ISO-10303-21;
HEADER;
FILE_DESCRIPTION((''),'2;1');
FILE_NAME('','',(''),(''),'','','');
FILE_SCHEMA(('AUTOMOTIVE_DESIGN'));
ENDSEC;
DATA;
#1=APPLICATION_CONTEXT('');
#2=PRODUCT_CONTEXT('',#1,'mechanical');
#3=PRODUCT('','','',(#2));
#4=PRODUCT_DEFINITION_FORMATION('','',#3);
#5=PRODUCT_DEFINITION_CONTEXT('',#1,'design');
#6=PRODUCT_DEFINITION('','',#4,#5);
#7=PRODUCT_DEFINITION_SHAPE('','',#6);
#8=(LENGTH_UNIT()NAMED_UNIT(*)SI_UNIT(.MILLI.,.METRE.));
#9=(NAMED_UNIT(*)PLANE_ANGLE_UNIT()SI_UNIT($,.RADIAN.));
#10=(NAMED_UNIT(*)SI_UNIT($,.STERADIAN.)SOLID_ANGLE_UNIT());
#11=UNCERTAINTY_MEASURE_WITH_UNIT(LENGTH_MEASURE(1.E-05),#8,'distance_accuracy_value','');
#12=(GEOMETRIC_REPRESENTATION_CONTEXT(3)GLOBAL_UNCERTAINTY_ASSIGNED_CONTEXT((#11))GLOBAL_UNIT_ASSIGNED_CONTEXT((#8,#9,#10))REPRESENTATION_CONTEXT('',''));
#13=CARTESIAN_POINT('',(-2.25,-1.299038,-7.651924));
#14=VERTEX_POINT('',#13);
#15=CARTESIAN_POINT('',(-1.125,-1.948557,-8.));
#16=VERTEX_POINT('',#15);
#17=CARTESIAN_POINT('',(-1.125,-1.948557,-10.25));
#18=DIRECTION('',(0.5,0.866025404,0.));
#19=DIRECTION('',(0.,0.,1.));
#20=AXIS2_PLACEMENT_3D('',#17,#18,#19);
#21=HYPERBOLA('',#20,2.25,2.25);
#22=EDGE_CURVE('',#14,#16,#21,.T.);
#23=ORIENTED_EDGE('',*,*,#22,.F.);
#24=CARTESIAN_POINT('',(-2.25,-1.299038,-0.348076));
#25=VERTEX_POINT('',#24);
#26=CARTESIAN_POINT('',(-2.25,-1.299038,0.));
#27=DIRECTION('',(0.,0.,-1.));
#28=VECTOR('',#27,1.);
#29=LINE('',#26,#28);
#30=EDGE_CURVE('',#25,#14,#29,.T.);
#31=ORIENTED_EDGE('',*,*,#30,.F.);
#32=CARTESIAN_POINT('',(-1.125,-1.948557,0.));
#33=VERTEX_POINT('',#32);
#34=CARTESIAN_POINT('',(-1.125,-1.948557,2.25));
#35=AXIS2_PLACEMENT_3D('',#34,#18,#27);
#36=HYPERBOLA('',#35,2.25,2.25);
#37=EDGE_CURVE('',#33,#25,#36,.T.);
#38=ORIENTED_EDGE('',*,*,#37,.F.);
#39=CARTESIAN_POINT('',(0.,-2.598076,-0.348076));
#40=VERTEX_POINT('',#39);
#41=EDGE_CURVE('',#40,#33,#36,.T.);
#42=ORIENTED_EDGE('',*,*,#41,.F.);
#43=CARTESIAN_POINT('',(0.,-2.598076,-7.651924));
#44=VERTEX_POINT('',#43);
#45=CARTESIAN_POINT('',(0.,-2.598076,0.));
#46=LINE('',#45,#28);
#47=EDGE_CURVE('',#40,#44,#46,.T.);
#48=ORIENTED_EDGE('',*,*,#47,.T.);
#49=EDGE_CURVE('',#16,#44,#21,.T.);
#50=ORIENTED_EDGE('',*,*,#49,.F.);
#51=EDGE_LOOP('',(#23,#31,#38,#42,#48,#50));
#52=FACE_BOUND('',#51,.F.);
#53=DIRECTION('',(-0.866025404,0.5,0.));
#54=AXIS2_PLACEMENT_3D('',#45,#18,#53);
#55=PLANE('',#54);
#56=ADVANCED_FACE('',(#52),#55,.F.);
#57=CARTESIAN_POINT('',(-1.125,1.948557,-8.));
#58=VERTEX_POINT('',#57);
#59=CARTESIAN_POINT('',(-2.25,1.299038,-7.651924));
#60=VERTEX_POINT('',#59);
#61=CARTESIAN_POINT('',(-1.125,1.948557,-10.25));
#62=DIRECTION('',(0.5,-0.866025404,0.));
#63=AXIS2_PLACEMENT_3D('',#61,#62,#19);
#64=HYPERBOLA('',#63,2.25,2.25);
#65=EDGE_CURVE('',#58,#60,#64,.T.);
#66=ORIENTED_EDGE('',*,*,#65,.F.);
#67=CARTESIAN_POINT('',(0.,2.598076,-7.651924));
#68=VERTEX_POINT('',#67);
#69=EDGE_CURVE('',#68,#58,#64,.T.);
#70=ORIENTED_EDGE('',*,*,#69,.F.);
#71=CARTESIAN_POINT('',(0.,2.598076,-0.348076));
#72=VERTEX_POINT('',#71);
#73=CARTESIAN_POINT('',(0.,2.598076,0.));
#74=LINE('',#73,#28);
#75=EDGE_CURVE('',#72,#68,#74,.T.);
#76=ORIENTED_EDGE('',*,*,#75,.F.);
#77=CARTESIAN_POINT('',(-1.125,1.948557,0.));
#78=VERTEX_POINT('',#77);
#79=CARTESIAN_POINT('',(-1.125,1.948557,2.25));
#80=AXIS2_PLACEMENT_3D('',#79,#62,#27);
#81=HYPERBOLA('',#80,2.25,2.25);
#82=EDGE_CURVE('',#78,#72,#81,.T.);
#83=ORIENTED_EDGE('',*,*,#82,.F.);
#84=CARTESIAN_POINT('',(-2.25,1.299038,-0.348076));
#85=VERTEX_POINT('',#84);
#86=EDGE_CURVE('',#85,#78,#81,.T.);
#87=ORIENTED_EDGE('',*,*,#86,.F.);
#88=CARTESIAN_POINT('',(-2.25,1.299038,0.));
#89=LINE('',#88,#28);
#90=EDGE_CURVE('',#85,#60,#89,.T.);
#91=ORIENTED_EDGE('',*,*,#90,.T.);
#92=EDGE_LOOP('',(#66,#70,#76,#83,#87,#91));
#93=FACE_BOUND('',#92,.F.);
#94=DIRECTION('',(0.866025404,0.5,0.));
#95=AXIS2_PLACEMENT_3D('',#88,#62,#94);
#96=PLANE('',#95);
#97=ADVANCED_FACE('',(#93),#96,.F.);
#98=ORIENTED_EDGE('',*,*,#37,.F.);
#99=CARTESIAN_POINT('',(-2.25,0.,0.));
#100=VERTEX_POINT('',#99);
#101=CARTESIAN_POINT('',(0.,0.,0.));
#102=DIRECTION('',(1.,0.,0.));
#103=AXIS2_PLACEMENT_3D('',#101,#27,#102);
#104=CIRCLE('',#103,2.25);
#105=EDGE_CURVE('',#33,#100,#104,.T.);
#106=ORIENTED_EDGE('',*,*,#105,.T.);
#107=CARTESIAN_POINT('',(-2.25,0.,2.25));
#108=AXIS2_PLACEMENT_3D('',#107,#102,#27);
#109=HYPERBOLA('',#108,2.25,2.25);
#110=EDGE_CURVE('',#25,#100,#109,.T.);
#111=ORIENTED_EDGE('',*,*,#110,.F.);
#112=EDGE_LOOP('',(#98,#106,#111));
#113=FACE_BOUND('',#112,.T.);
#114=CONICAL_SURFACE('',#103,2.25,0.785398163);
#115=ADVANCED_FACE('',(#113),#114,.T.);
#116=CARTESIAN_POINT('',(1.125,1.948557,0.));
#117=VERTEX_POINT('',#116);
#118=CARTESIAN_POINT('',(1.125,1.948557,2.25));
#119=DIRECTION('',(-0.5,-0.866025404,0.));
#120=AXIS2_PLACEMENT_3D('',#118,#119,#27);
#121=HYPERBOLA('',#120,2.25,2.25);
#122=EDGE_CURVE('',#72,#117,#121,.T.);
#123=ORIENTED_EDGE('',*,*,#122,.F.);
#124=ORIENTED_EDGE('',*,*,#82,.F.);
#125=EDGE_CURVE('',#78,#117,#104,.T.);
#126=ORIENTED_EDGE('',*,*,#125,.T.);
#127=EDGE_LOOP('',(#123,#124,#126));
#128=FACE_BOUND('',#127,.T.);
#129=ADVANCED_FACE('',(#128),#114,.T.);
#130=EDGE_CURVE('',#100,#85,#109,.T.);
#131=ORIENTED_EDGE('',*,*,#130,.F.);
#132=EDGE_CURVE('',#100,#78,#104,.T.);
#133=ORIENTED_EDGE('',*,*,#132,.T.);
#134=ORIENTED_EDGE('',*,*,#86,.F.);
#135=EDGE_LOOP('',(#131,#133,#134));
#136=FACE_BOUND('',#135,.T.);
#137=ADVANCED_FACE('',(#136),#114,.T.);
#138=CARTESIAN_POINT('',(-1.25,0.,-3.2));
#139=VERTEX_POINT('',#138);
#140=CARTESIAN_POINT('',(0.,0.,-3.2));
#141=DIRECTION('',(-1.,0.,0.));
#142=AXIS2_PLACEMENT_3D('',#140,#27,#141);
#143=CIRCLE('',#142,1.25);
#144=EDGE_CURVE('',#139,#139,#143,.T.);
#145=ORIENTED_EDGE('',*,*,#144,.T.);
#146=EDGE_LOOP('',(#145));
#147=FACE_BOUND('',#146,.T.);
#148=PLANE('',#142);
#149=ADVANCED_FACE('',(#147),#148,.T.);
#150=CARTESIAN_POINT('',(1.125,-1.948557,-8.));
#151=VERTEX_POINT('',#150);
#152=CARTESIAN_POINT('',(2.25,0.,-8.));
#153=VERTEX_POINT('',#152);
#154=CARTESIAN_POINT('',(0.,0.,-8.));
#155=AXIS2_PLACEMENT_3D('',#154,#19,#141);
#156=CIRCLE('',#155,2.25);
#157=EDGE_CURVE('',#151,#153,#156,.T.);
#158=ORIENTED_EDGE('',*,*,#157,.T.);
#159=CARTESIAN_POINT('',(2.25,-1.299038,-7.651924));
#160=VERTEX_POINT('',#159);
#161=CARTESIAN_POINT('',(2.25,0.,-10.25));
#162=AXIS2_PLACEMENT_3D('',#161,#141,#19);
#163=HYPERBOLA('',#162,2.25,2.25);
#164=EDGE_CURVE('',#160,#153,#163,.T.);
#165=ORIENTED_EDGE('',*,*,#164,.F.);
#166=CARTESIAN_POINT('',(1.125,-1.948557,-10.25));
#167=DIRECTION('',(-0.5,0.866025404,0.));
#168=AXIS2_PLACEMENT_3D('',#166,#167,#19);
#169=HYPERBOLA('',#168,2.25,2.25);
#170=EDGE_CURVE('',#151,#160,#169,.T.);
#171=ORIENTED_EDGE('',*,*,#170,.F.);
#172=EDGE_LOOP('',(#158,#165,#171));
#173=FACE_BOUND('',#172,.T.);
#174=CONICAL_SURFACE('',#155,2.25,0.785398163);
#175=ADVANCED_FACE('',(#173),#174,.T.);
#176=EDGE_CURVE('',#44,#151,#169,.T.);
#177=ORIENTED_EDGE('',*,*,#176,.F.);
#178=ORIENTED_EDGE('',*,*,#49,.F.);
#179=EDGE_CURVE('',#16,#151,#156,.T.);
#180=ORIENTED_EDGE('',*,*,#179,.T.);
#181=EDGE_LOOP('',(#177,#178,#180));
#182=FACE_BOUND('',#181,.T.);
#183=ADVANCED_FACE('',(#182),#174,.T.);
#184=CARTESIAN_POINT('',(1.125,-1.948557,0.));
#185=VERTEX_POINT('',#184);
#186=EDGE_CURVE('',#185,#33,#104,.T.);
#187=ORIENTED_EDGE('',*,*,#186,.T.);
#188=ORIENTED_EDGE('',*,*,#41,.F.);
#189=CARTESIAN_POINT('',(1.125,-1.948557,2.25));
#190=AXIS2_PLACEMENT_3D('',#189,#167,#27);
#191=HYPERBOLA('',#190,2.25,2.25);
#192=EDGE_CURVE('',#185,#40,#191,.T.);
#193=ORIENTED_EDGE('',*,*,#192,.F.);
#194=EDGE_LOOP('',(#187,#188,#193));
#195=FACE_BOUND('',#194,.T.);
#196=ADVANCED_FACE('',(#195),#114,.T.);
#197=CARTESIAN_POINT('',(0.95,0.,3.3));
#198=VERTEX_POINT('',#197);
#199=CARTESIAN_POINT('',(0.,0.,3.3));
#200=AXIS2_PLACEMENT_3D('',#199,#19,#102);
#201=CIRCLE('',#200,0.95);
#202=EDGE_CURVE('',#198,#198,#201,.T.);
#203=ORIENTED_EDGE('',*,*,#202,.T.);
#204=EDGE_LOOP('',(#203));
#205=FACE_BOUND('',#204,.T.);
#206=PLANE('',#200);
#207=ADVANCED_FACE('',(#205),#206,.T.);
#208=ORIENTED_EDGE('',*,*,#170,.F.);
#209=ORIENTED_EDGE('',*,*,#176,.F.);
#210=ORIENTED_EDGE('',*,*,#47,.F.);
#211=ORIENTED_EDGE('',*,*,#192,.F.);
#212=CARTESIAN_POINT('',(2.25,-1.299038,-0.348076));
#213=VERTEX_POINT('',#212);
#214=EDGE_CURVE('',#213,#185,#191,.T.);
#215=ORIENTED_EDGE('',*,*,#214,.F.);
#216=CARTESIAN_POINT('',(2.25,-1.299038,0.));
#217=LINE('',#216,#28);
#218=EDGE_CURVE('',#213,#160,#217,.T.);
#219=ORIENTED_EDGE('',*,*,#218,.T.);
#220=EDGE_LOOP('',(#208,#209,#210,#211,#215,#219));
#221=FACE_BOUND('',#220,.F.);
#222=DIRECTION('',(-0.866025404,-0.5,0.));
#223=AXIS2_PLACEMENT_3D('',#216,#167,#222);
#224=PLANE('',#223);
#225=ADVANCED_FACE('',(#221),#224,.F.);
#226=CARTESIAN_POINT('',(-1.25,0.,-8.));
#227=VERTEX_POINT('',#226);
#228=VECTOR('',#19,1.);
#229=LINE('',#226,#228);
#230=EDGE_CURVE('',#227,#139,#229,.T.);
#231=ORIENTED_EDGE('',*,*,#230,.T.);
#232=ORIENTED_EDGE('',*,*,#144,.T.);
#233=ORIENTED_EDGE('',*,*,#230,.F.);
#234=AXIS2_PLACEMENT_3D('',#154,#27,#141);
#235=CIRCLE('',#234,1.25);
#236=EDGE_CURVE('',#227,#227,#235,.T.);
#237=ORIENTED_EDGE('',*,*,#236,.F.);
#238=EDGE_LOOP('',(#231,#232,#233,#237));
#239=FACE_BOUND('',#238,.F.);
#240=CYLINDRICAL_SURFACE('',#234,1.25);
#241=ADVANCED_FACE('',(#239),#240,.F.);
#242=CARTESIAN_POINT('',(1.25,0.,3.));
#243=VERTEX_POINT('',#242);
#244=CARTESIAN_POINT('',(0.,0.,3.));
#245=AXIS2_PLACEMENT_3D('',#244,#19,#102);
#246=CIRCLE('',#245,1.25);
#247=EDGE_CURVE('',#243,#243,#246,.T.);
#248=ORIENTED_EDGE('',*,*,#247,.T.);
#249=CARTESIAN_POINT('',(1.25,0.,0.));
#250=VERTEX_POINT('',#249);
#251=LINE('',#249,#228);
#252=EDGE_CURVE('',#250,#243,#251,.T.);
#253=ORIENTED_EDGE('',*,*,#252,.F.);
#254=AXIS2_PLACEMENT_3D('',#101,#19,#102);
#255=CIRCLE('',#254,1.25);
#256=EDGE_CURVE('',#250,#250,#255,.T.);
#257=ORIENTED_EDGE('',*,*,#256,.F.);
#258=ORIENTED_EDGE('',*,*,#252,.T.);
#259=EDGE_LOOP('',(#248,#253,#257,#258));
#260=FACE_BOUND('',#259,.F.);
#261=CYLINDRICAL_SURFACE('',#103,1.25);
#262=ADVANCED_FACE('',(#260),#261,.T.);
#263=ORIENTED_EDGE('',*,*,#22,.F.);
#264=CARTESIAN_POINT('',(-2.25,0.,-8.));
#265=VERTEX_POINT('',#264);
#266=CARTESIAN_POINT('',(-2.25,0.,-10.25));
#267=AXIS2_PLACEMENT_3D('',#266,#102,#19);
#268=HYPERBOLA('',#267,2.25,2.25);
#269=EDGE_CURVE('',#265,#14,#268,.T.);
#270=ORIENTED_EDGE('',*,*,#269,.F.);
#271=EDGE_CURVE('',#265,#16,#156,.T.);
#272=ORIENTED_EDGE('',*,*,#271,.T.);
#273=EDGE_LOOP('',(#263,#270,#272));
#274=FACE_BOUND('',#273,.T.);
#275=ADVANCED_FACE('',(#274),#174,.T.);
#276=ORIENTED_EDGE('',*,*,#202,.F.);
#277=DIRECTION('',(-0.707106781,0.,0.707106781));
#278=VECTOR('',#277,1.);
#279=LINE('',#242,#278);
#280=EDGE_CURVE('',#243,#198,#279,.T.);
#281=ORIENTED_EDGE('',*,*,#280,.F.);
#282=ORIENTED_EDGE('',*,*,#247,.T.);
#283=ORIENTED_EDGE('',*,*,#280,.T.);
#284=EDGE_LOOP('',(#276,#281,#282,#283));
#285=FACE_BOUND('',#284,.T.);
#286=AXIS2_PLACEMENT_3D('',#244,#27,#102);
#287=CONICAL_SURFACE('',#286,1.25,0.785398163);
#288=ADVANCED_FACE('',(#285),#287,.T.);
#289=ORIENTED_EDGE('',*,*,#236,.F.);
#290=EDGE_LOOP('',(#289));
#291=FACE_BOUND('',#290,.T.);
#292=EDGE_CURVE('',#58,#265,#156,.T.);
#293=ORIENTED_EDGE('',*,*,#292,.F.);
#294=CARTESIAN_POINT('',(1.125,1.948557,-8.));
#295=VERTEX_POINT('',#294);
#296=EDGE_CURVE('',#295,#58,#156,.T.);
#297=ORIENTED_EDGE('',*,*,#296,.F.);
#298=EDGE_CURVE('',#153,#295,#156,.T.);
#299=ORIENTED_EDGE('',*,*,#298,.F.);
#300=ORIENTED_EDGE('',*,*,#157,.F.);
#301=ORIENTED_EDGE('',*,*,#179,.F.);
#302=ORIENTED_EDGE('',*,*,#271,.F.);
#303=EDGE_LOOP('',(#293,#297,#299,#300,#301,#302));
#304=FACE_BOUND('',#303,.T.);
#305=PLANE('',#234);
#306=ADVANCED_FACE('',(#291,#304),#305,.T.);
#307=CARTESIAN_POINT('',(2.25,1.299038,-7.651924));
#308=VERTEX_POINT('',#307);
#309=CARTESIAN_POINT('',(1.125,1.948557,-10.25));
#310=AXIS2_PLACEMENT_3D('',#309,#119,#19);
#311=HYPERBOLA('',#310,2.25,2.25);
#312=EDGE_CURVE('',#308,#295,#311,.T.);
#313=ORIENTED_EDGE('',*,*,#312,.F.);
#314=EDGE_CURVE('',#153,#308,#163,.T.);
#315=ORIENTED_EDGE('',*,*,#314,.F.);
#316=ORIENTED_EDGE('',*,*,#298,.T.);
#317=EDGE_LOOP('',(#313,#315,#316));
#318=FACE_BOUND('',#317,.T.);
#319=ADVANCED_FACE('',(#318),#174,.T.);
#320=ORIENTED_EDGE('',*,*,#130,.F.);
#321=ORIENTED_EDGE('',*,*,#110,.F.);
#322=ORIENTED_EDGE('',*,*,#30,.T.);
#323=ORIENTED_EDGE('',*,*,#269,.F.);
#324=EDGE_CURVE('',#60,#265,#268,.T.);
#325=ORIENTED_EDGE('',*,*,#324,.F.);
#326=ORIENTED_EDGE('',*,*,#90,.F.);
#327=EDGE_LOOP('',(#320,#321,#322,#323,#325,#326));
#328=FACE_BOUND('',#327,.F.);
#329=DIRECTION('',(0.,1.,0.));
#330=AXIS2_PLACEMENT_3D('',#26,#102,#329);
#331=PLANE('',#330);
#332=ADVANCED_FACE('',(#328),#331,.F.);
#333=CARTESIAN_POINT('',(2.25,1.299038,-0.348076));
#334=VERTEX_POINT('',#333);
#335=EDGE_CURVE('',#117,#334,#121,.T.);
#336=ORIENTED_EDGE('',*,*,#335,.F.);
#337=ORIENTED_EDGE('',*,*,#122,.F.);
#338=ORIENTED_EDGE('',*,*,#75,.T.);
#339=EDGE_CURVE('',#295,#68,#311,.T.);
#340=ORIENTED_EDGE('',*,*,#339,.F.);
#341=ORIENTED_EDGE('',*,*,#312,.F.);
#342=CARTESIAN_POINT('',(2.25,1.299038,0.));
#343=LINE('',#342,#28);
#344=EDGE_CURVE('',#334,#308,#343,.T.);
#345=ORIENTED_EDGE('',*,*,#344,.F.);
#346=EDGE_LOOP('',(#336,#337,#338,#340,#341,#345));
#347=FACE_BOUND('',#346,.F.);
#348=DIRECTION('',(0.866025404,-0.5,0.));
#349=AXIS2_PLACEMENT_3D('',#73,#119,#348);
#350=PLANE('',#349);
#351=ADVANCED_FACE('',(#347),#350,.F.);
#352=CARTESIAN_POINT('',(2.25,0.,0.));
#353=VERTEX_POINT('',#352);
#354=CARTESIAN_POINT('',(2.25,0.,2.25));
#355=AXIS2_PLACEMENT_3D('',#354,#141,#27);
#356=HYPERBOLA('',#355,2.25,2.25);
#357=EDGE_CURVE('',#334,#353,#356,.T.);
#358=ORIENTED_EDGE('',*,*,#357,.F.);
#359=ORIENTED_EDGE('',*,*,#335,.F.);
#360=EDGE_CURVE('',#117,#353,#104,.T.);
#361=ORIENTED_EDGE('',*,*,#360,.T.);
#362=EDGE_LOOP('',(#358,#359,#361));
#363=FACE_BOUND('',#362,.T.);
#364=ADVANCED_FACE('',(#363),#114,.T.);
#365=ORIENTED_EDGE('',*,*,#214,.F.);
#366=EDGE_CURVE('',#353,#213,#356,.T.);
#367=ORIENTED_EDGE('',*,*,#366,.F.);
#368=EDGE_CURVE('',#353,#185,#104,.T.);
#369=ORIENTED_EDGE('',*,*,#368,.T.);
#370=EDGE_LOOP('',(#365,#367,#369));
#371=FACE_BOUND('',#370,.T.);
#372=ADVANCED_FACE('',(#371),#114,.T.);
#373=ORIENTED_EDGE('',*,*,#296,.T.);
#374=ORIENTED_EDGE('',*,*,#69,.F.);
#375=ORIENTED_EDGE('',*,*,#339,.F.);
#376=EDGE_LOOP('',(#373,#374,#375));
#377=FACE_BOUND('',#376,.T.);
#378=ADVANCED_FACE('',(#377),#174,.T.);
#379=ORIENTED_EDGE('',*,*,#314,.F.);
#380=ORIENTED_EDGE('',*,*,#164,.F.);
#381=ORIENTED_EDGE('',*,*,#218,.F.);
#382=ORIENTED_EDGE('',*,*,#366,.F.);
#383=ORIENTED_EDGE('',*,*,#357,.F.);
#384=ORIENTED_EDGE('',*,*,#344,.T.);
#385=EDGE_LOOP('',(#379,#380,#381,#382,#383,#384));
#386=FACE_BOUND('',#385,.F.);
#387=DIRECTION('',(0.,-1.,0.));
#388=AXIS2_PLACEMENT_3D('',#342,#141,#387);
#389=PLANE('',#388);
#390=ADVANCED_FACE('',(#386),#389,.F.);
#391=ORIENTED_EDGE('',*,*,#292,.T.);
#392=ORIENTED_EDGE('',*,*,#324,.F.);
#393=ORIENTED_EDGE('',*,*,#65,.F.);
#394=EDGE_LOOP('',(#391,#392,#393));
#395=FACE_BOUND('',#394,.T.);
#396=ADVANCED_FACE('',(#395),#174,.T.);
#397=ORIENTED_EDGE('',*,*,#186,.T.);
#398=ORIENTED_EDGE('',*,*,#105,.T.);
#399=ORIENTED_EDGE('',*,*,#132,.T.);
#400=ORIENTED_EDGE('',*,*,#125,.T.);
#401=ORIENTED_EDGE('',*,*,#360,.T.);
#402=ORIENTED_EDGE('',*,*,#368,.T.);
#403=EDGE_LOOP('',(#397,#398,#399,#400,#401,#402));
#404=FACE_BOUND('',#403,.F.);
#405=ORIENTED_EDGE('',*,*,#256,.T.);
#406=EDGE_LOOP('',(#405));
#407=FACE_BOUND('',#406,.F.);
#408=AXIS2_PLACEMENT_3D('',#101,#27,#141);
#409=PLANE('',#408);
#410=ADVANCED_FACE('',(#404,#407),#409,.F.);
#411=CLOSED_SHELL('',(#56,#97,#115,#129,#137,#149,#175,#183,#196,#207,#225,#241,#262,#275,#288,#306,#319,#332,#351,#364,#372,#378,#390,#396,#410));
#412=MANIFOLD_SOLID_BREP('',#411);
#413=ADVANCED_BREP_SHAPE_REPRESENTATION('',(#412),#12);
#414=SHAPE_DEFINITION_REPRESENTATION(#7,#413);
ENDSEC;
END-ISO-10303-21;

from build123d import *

# Parameters (mm, degrees)
SKETCH2_R           = 1.25
BOSS_EXTRUDE1_DEPTH = 3.3
BOSS_EXTRUDE2_DEPTH = 8
SKETCH4_R           = 1.25
CUT_EXTRUDE1_DEPTH  = 4.8
SKETCH5_OUTSIDE_W   = 33.746
SKETCH5_OUTSIDE_H   = 34.442
SKETCH5_OUTSIDE_R   = 2.25
CUT_EXTRUDE2_DEPTH  = 12.3
CUT_EXTRUDE2_TAPER  = 45
SKETCH6_OUTSIDE_W   = 27.146
SKETCH6_OUTSIDE_H   = 27.842
SKETCH6_OUTSIDE_R   = 2.25
CUT_EXTRUDE3_DEPTH  = 9
CUT_EXTRUDE3_TAPER  = 45
CHAMFER1_SIZE       = 0.3


with BuildPart() as part:
    # Sketch2 → Boss-Extrude1 (new body)
    with BuildSketch(Plane.XY):
        Circle(SKETCH2_R)
    extrude(amount=BOSS_EXTRUDE1_DEPTH)

    # Sketch3 → Boss-Extrude2 (add)
    with BuildSketch(Plane(origin=(0, 0, 0), x_dir=(-1, 0, 0), z_dir=(0, 0, -1))):
        Polygon((0, 2.598076211), (-2.25, 1.299038106), (-2.25, -1.299038106), (0, -2.598076211), (2.25, -1.299038106), (2.25, 1.299038106), align=None)
    extrude(amount=BOSS_EXTRUDE2_DEPTH)

    # Sketch4 → Cut-Extrude1 (cut)
    with BuildSketch(Plane(origin=(0, 0, -8), x_dir=(-1, 0, 0), z_dir=(0, 0, -1))):
        Circle(SKETCH4_R)
    extrude(amount=-CUT_EXTRUDE1_DEPTH, mode=Mode.SUBTRACT)

    # Sketch5 outside → Cut-Extrude2 (cut, through all)
    with BuildSketch(Plane(origin=(0, 0, -8), x_dir=(-1, 0, 0), z_dir=(0, 0, -1))):
        Rectangle(SKETCH5_OUTSIDE_W, SKETCH5_OUTSIDE_H)
        Circle(SKETCH5_OUTSIDE_R, mode=Mode.SUBTRACT)
    extrude(amount=-CUT_EXTRUDE2_DEPTH, taper=CUT_EXTRUDE2_TAPER, mode=Mode.SUBTRACT)

    # Sketch6 outside → Cut-Extrude3 (cut, through all)
    with BuildSketch(Plane.XY):
        Rectangle(SKETCH6_OUTSIDE_W, SKETCH6_OUTSIDE_H)
        Circle(SKETCH6_OUTSIDE_R, mode=Mode.SUBTRACT)
    extrude(amount=-CUT_EXTRUDE3_DEPTH, taper=CUT_EXTRUDE3_TAPER, mode=Mode.SUBTRACT)

    # Chamfer1
    chamfer1_edges = [part.edges().sort_by_distance(p)[0] for p in [
        (-1.25, 0, 3.3),
    ]]
    chamfer(chamfer1_edges, length=CHAMFER1_SIZE)


solid = part.part
